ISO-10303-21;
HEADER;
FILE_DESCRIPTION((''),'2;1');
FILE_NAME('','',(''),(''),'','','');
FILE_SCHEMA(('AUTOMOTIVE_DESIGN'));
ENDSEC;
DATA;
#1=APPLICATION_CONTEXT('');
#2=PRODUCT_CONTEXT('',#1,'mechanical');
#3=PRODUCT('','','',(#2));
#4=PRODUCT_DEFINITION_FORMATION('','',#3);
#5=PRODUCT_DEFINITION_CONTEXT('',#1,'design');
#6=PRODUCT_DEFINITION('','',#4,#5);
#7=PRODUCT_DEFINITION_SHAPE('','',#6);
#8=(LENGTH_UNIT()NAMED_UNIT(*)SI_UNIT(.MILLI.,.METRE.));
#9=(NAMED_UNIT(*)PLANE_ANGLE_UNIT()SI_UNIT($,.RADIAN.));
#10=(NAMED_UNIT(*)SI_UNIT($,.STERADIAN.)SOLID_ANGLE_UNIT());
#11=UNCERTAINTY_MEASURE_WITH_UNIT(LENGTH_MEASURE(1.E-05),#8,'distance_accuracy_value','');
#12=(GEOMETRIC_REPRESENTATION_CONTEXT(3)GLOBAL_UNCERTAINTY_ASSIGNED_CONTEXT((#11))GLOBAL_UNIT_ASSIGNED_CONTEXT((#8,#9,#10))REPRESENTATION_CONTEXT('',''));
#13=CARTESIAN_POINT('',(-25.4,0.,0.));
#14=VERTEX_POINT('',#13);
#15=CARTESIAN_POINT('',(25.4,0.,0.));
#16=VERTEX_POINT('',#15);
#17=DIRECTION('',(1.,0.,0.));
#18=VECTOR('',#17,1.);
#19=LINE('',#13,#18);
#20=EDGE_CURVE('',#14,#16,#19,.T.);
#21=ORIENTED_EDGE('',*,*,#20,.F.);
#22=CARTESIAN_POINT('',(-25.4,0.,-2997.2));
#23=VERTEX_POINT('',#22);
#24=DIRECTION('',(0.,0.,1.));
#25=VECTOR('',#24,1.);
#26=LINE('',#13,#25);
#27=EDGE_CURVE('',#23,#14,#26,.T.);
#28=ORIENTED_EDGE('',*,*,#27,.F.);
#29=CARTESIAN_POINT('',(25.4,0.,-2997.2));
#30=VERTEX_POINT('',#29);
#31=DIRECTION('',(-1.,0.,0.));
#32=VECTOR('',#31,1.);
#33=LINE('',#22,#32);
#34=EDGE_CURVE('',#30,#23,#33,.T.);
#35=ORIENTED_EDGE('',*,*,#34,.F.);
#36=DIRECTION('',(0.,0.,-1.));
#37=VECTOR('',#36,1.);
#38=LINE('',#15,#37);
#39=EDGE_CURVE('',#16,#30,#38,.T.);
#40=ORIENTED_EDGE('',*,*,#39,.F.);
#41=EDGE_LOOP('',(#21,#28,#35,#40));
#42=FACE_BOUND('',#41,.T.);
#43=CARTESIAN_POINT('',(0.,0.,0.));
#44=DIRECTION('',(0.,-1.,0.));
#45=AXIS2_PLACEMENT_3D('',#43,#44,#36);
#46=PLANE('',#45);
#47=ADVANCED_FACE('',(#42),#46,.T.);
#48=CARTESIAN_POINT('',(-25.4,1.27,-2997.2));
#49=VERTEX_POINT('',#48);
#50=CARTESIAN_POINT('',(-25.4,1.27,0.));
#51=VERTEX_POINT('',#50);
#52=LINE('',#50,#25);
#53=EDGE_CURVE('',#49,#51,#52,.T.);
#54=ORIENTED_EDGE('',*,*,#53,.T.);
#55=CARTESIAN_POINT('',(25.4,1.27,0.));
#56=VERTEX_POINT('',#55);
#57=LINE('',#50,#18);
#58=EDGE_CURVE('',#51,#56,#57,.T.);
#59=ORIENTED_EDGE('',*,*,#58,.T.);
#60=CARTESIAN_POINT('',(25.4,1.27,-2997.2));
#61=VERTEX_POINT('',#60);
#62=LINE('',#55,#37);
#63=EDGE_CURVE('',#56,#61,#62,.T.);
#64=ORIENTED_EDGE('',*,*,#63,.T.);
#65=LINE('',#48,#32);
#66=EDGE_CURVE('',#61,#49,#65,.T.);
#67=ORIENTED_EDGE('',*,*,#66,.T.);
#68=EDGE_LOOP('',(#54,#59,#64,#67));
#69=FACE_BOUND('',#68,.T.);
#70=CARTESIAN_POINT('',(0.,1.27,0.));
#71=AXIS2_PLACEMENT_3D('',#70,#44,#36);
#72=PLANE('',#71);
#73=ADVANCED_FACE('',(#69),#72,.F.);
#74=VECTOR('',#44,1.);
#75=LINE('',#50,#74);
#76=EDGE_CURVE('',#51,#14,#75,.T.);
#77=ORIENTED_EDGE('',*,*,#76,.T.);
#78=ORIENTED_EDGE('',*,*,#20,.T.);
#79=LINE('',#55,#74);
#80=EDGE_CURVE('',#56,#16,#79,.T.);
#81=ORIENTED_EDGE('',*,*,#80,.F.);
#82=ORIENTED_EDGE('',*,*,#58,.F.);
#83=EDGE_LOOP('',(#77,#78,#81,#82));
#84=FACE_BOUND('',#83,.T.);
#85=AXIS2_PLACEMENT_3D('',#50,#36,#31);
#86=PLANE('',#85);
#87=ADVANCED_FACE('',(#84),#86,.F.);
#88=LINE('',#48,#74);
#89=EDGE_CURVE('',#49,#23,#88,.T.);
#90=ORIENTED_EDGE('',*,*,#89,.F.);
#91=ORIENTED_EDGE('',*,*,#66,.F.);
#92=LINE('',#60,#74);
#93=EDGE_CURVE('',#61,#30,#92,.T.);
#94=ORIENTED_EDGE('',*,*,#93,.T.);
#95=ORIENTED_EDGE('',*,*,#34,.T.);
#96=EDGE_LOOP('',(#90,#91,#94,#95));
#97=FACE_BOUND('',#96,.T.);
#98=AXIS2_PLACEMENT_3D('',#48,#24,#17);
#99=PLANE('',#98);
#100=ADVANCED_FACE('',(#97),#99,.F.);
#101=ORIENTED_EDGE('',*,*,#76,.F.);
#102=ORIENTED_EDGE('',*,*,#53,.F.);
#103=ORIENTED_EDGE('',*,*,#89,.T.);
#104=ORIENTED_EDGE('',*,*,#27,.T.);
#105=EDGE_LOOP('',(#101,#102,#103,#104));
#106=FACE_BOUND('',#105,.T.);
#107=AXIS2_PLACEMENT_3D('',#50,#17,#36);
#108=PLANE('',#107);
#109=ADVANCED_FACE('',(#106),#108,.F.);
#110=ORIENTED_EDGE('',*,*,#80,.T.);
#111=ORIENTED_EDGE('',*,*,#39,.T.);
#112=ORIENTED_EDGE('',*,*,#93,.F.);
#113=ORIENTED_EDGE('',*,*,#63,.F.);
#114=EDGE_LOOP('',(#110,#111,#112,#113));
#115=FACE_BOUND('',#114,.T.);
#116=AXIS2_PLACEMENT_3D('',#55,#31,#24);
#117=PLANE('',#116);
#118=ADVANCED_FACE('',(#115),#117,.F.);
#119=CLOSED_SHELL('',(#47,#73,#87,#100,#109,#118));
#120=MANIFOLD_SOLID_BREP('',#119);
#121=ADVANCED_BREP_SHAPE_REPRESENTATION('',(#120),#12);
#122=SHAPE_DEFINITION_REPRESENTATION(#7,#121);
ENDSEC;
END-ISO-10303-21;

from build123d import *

# Parameters (mm, degrees)
SKETCH1_W           = 50.8
SKETCH1_H           = 2997.2
BOSS_EXTRUDE1_DEPTH = 1.27


with BuildPart() as part:
    # Sketch1 → Boss-Extrude1 (new body)
    with BuildSketch(Plane(origin=(0, 0, 0), x_dir=(1, 0, 0), z_dir=(0, 1, 0))):
        with Locations((0, 1498.6)):
            Rectangle(SKETCH1_W, SKETCH1_H)
    extrude(amount=BOSS_EXTRUDE1_DEPTH)


solid = part.part
